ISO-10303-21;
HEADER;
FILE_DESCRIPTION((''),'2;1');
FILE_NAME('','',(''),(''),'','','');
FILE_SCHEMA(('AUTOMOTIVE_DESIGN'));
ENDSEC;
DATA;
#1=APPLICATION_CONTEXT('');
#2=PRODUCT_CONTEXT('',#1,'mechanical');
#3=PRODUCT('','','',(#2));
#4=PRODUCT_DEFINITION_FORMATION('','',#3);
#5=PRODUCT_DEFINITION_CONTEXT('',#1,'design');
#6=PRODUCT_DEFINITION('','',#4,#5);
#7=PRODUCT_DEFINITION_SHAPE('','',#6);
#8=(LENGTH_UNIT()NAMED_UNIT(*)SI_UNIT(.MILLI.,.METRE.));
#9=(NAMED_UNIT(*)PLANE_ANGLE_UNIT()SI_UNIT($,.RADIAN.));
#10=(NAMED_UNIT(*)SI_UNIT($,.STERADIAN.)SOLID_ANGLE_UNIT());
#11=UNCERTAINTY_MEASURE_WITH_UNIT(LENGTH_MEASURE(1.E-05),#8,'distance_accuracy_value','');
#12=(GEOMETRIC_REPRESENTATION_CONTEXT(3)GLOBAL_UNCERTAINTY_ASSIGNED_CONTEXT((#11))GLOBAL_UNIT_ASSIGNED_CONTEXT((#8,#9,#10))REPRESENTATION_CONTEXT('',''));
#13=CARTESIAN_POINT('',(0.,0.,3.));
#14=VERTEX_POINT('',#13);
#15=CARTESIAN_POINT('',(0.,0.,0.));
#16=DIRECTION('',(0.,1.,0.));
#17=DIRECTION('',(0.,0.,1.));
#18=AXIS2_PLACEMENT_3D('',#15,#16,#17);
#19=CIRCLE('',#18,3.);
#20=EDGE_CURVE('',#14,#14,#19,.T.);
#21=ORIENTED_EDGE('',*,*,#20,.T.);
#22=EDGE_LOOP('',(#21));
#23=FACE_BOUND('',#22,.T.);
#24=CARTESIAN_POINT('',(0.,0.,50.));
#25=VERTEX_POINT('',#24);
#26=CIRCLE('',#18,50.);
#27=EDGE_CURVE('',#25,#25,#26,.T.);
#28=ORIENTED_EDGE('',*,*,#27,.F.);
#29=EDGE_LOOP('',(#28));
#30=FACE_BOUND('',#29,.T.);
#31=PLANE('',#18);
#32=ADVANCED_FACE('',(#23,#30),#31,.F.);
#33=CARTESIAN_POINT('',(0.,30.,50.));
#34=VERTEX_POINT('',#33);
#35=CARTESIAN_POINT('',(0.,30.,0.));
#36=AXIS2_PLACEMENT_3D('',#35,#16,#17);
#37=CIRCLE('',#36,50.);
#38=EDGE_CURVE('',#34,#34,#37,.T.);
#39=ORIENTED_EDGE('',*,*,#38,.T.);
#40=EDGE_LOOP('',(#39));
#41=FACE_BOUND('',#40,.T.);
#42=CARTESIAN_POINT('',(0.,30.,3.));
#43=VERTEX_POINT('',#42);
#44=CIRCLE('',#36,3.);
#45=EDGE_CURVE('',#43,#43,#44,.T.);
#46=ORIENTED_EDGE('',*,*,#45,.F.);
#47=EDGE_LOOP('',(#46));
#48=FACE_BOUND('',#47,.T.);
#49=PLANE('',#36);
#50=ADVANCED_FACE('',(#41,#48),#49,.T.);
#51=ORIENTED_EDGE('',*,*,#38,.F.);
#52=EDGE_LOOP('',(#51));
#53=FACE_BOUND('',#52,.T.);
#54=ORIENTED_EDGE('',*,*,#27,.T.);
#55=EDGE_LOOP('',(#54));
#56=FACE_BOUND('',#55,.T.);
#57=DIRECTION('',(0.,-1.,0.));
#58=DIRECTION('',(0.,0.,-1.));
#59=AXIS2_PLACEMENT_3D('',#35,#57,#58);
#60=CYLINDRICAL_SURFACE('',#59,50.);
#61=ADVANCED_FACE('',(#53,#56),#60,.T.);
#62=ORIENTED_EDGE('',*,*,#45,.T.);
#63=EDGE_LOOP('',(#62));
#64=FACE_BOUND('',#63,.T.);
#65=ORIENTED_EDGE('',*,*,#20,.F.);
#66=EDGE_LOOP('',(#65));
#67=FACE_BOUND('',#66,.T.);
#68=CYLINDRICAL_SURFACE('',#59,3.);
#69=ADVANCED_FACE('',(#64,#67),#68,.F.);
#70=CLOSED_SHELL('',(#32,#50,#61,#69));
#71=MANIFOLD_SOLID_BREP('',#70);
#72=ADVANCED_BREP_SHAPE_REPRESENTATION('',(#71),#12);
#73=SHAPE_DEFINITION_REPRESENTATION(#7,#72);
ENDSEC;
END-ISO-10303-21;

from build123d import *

# Parameters (mm, degrees)
SKETCH_1_R      = 50
SKETCH_1_R_2    = 3
EXTRUDE_1_DEPTH = 30


with BuildPart() as part:
    # Эскиз1 → Бобышка-Вытянуть1 (new body)
    with BuildSketch(Plane(origin=(0, 0, 0), x_dir=(1, 0, 0), z_dir=(0, 1, 0))):
        with Locations(Location((0, 0, 0), (0, 0, 270))):
            Circle(SKETCH_1_R)
        with Locations(Location((0, 0, 0), (0, 0, 270))):
            Circle(SKETCH_1_R_2, mode=Mode.SUBTRACT)
    extrude(amount=EXTRUDE_1_DEPTH)


solid = part.part
